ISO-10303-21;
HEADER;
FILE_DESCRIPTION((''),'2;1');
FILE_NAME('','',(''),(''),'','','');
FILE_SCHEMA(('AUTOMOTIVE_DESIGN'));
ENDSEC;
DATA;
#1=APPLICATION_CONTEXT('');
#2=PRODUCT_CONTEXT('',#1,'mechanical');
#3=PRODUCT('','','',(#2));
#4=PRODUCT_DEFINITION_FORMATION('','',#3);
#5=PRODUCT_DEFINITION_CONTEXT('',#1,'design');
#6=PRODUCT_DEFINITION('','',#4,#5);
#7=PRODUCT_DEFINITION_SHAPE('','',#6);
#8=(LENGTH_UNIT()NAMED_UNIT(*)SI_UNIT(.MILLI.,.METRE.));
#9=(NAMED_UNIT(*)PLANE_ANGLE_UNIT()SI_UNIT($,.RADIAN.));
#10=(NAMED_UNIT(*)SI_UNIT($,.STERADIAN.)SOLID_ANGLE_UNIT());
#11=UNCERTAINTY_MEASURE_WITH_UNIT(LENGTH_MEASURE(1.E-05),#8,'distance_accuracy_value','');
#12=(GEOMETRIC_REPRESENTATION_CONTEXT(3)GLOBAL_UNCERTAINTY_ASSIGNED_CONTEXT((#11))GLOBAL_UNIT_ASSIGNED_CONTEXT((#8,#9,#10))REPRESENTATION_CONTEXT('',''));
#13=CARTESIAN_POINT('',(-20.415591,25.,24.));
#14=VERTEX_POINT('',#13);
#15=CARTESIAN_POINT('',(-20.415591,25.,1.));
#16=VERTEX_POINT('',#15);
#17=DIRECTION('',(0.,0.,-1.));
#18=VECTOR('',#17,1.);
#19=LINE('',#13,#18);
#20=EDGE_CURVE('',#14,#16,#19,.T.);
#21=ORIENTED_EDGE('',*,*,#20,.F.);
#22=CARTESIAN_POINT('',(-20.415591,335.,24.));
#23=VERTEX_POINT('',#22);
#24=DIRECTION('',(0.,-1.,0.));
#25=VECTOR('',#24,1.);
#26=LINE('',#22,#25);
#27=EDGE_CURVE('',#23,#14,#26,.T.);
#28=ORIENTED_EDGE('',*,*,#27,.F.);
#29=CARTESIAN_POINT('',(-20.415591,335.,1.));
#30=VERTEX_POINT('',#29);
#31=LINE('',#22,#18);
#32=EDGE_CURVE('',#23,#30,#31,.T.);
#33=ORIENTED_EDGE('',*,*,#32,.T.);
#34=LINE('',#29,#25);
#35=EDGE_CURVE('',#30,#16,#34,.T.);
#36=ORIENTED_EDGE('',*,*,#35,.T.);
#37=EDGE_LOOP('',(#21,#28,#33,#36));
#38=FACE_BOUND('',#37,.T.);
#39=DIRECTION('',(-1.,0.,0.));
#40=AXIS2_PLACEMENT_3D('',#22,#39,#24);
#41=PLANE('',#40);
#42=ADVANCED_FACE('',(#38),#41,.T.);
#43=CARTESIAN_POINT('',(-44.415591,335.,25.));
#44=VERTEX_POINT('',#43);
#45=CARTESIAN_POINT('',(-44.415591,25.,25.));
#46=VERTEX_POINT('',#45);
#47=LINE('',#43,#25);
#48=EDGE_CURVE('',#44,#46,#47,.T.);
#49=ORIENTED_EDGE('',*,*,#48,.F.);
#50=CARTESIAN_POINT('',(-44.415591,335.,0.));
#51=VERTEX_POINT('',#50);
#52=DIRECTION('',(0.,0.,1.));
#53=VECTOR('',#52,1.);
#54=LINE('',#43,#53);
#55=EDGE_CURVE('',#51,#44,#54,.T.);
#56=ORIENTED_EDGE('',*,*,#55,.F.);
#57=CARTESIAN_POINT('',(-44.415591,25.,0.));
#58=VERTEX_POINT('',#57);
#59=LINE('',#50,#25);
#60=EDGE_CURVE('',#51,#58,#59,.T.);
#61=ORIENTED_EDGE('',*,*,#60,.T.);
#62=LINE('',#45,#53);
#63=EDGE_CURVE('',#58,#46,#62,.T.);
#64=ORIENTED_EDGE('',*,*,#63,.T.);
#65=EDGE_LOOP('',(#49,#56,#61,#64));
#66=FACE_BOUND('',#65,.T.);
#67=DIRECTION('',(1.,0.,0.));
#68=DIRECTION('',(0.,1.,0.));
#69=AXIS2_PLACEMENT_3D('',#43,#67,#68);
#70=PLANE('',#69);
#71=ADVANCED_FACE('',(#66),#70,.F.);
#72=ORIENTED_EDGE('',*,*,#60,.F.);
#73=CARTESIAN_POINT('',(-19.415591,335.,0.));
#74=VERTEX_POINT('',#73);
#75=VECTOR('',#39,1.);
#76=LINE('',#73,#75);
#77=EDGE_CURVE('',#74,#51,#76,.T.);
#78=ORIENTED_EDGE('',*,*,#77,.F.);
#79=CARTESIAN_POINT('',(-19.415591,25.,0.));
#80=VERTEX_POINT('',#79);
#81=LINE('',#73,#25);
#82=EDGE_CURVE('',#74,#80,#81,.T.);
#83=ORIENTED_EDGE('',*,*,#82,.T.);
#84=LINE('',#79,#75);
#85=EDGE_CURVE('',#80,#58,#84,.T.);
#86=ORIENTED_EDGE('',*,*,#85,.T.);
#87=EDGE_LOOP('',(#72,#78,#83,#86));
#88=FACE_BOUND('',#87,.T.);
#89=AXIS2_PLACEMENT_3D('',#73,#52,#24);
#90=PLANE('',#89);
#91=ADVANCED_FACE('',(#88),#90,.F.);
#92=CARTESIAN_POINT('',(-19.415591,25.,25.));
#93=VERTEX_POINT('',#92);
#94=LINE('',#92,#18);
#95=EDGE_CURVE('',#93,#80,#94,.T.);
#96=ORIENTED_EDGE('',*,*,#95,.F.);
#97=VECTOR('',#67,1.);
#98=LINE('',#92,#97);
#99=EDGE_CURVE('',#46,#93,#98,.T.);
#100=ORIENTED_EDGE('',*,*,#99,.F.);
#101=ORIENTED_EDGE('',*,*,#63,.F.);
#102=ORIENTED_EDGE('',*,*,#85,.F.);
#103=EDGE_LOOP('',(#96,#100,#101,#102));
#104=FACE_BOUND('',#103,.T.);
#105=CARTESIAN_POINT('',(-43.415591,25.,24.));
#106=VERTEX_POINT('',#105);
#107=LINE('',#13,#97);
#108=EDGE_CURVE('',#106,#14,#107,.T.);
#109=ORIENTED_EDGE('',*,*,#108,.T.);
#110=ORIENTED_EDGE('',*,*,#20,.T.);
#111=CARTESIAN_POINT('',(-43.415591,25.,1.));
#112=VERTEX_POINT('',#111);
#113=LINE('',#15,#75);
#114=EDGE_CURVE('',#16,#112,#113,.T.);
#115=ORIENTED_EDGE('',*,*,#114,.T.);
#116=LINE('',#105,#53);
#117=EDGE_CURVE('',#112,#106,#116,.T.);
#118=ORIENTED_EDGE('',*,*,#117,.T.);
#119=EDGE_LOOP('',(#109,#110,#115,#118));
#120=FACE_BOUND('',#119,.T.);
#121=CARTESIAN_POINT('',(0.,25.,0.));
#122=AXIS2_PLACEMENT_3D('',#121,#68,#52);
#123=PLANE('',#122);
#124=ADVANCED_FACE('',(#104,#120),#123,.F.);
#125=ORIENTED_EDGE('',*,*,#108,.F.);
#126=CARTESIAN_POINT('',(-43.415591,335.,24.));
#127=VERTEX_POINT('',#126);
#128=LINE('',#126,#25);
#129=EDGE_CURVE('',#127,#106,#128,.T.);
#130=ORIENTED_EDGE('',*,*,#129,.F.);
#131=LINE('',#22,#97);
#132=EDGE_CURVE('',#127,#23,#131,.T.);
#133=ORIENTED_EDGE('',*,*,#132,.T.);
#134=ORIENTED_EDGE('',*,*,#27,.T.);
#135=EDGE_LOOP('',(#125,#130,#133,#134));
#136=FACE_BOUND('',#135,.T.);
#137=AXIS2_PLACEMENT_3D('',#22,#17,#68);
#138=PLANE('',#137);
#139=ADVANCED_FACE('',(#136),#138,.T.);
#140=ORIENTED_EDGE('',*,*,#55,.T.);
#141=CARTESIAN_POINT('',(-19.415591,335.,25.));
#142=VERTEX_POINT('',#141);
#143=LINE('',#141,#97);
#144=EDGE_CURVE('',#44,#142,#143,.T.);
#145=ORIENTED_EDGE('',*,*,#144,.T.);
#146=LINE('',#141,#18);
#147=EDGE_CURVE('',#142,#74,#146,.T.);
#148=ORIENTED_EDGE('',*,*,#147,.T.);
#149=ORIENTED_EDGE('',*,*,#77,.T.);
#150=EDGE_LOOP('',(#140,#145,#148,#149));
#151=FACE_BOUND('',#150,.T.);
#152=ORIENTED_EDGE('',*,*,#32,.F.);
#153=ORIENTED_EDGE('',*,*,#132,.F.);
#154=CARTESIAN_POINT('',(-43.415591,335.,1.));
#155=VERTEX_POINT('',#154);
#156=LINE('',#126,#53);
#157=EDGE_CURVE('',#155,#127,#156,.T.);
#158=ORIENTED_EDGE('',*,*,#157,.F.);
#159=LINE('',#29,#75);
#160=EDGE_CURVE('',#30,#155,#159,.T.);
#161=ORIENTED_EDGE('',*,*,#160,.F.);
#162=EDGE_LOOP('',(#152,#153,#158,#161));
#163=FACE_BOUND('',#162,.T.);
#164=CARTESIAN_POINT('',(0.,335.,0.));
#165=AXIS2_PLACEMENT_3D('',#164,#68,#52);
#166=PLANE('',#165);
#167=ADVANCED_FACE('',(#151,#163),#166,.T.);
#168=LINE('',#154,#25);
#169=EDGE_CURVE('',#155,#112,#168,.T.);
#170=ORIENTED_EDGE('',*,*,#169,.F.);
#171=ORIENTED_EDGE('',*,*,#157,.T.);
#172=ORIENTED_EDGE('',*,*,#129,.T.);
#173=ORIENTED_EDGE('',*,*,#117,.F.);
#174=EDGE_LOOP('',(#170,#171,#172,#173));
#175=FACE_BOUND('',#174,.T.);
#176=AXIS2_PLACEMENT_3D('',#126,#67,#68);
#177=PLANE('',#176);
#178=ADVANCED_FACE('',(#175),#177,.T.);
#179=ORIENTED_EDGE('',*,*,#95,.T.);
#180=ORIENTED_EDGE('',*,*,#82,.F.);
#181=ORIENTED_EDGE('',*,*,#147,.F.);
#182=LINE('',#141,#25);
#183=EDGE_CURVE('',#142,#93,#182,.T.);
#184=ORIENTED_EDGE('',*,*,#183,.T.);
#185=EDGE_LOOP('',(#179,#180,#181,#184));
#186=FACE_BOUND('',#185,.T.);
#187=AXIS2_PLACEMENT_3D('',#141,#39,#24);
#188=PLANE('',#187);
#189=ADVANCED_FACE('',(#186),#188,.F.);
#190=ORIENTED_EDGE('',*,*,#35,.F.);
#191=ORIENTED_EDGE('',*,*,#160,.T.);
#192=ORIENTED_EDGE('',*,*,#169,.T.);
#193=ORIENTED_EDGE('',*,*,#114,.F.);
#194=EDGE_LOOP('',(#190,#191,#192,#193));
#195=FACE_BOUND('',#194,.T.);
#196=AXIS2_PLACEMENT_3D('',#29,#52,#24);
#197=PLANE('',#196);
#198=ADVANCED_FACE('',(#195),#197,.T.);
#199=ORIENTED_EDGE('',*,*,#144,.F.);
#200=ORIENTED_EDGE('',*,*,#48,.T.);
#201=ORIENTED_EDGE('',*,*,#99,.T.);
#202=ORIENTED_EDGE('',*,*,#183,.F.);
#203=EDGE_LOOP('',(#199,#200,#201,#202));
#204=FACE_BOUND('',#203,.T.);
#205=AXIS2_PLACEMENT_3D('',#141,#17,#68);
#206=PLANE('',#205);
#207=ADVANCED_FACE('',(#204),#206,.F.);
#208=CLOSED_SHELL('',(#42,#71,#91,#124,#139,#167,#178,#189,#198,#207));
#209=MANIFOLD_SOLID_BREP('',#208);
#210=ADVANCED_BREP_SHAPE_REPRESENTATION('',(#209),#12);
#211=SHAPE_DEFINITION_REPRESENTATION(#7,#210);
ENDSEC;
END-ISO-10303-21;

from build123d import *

# Parameters (mm, degrees)
SKETCH1_W           = 25
SKETCH1_H           = 25
SKETCH1_W_2         = 23
SKETCH1_H_2         = 23
BOSS_EXTRUDE1_DEPTH = 310


with BuildPart() as part:
    # Sketch1 → Boss-Extrude1 (new body)
    with BuildSketch(Plane(origin=(0, 25, 0), x_dir=(1, 0, 0), z_dir=(0, 1, 0))):
        with Locations((-31.915591248, -12.5)):
            Rectangle(SKETCH1_W, SKETCH1_H)
        with Locations((-31.915591248, -12.5)):
            Rectangle(SKETCH1_W_2, SKETCH1_H_2, mode=Mode.SUBTRACT)
    extrude(amount=BOSS_EXTRUDE1_DEPTH)


solid = part.part
